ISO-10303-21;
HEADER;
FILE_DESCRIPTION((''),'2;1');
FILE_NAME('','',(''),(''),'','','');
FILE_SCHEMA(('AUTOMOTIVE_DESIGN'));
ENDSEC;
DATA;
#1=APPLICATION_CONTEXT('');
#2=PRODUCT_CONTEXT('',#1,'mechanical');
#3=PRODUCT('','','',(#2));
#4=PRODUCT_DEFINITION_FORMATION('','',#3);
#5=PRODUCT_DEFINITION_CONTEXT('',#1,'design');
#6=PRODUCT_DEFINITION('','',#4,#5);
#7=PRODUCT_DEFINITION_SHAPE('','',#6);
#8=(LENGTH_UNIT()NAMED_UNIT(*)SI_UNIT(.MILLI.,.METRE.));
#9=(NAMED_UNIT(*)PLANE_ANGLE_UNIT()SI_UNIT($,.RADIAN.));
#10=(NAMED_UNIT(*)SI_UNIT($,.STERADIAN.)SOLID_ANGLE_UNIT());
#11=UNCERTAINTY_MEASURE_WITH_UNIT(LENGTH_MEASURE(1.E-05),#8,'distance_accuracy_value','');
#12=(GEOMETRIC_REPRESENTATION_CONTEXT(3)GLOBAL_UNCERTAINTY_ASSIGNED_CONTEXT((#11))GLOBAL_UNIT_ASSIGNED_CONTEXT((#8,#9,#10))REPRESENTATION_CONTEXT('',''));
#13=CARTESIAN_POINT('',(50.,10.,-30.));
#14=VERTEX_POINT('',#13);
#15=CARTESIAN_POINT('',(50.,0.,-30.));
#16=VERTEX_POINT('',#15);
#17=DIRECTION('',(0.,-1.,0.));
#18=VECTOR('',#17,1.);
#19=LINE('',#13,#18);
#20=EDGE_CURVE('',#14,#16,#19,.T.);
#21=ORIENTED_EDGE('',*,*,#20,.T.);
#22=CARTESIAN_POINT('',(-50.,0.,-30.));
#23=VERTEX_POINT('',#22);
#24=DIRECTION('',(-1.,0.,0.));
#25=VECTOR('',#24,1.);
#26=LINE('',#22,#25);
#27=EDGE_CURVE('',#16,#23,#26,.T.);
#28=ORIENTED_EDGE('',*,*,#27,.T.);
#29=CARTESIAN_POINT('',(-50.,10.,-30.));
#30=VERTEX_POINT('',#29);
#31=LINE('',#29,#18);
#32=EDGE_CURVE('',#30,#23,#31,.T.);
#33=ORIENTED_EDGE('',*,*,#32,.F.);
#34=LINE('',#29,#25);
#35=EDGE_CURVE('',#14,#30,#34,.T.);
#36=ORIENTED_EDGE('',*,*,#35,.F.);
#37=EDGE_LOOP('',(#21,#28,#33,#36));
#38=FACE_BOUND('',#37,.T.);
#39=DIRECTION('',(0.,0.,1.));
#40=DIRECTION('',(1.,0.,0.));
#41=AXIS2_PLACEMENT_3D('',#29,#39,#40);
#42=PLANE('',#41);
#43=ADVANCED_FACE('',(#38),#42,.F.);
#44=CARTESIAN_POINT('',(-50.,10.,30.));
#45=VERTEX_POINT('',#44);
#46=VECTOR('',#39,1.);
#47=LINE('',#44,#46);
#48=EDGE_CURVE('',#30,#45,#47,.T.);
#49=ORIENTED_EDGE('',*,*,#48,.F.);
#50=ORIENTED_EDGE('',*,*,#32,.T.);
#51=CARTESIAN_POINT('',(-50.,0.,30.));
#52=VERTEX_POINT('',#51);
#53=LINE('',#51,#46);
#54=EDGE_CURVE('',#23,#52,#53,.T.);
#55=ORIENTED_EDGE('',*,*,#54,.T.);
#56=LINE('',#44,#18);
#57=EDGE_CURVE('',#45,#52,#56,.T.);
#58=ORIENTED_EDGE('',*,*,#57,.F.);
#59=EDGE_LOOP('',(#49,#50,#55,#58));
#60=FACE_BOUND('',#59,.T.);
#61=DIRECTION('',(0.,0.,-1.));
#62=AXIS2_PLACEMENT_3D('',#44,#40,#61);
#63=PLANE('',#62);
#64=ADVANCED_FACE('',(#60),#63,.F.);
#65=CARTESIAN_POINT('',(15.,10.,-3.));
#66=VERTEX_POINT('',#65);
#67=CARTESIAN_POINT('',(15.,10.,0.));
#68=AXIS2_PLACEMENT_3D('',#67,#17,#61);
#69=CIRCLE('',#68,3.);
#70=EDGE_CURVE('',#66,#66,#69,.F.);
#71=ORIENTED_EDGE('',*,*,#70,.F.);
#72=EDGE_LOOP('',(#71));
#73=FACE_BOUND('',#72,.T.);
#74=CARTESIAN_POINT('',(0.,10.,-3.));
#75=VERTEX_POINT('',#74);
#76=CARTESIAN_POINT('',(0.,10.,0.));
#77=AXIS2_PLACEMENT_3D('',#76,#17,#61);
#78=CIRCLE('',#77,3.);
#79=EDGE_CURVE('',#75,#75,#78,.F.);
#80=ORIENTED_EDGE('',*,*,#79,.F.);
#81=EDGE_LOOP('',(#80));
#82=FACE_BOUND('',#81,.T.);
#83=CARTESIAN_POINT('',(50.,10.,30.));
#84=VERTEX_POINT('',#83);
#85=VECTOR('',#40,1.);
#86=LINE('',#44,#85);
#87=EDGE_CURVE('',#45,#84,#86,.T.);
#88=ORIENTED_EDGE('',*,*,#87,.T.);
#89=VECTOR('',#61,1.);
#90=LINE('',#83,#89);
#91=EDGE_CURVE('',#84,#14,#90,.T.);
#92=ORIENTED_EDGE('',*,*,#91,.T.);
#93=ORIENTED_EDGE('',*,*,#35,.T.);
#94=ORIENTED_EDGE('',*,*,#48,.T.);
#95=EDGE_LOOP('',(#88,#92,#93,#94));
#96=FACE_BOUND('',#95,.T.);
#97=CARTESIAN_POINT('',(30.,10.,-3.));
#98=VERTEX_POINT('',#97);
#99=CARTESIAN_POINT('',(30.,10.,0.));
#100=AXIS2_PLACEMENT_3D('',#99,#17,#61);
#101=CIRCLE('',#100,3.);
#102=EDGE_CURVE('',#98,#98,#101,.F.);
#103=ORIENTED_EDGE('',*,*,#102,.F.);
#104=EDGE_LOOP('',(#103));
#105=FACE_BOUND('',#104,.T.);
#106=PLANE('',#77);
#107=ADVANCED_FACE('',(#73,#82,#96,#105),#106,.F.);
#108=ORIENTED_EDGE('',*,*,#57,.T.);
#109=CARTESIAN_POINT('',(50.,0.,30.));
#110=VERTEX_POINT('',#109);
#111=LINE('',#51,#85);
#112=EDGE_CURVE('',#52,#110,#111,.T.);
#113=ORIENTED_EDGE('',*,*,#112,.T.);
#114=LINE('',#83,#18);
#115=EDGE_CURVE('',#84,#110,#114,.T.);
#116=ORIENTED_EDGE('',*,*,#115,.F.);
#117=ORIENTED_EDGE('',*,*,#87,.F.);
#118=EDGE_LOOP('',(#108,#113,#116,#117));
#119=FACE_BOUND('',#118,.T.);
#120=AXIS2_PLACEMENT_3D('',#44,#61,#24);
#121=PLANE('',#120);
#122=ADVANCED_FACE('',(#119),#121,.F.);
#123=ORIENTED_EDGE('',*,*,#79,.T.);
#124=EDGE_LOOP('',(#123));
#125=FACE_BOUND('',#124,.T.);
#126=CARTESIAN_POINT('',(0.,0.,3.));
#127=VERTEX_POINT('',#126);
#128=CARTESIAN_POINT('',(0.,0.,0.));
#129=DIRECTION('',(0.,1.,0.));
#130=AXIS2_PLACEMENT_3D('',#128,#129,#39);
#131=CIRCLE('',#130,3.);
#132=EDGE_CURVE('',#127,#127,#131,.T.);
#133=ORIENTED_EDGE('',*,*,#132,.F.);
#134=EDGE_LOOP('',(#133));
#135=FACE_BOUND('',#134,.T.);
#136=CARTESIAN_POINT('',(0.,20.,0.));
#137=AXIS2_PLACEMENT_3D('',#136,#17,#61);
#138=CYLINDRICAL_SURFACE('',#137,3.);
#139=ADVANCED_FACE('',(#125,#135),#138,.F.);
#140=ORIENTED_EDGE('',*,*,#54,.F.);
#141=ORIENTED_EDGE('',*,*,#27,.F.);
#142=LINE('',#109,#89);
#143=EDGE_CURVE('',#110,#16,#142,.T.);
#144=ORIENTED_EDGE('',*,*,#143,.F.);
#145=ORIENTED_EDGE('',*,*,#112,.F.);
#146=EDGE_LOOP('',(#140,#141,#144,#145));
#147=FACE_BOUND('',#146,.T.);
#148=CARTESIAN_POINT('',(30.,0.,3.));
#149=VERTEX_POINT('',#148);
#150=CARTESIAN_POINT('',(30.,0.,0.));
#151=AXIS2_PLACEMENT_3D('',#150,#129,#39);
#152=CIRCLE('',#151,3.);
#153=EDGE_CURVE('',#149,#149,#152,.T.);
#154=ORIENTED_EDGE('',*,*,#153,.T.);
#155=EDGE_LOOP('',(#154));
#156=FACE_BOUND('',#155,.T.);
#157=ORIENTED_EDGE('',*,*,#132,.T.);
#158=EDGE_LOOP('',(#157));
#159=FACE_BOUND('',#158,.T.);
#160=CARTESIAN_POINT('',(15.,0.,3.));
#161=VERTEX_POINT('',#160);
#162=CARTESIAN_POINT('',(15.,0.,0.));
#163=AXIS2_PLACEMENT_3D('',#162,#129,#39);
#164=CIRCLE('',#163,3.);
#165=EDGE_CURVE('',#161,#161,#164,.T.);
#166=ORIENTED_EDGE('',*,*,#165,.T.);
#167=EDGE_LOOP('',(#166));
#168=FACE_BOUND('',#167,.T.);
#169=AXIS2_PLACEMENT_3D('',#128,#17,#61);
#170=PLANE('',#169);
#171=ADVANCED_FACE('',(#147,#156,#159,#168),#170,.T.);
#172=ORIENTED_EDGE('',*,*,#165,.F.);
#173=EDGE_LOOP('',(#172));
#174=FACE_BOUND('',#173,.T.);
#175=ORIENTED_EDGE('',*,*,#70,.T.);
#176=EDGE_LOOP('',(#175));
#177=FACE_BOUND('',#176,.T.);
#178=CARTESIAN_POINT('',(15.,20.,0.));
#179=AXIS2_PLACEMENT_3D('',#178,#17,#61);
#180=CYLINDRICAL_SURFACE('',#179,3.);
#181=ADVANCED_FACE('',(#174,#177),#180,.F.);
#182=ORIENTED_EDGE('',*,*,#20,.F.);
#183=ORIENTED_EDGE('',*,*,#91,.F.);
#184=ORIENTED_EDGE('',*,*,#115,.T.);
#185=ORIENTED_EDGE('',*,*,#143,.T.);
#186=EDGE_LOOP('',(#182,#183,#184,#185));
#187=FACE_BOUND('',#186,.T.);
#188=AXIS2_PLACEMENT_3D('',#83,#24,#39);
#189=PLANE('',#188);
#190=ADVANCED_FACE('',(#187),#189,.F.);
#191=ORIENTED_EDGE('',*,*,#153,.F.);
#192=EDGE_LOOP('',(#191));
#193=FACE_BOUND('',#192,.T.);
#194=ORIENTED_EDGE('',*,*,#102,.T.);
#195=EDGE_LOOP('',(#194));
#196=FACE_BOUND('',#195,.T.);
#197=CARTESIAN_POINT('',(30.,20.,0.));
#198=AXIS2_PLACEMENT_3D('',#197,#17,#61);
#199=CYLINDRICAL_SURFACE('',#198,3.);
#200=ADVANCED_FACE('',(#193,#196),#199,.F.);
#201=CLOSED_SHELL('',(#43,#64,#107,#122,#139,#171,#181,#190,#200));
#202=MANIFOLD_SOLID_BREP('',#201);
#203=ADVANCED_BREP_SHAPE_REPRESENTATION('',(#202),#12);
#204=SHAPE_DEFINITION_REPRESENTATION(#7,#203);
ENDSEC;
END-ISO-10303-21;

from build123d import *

# Parameters (mm, degrees)
SKETCH_1_W             = 100
SKETCH_1_H             = 60
EXTRUDE_1_DEPTH        = 10
SKETCH_2_R             = 3
CUT_EXTRUDE_1_DEPTH    = 20
PATTERN_LINEAR_1_COUNT = 3
PATTERN_LINEAR_1_PITCH = 15


with BuildPart() as part:
    # 草图1 → 凸台-拉伸1 (new body)
    with BuildSketch(Plane(origin=(0, 0, 0), x_dir=(1, 0, 0), z_dir=(0, 1, 0))):
        Rectangle(SKETCH_1_W, SKETCH_1_H)
    extrude(amount=EXTRUDE_1_DEPTH)

    # 草图2 → 切除-拉伸1 (cut)
    with BuildSketch(Plane(origin=(0, 0, 0), x_dir=(1, 0, 0), z_dir=(0, 1, 0))):
        with Locations(Location((30, 0, 0), (0, 0, 90))):
            Circle(SKETCH_2_R)
    cut_extrude_1 = extrude(amount=CUT_EXTRUDE_1_DEPTH, mode=Mode.SUBTRACT)

    # 阵列(线性)1: 切除-拉伸1 ×3
    with Locations(*[(-i * PATTERN_LINEAR_1_PITCH, 0, 0) for i in range(1, PATTERN_LINEAR_1_COUNT)]):
        add(cut_extrude_1, mode=Mode.SUBTRACT)


solid = part.part
